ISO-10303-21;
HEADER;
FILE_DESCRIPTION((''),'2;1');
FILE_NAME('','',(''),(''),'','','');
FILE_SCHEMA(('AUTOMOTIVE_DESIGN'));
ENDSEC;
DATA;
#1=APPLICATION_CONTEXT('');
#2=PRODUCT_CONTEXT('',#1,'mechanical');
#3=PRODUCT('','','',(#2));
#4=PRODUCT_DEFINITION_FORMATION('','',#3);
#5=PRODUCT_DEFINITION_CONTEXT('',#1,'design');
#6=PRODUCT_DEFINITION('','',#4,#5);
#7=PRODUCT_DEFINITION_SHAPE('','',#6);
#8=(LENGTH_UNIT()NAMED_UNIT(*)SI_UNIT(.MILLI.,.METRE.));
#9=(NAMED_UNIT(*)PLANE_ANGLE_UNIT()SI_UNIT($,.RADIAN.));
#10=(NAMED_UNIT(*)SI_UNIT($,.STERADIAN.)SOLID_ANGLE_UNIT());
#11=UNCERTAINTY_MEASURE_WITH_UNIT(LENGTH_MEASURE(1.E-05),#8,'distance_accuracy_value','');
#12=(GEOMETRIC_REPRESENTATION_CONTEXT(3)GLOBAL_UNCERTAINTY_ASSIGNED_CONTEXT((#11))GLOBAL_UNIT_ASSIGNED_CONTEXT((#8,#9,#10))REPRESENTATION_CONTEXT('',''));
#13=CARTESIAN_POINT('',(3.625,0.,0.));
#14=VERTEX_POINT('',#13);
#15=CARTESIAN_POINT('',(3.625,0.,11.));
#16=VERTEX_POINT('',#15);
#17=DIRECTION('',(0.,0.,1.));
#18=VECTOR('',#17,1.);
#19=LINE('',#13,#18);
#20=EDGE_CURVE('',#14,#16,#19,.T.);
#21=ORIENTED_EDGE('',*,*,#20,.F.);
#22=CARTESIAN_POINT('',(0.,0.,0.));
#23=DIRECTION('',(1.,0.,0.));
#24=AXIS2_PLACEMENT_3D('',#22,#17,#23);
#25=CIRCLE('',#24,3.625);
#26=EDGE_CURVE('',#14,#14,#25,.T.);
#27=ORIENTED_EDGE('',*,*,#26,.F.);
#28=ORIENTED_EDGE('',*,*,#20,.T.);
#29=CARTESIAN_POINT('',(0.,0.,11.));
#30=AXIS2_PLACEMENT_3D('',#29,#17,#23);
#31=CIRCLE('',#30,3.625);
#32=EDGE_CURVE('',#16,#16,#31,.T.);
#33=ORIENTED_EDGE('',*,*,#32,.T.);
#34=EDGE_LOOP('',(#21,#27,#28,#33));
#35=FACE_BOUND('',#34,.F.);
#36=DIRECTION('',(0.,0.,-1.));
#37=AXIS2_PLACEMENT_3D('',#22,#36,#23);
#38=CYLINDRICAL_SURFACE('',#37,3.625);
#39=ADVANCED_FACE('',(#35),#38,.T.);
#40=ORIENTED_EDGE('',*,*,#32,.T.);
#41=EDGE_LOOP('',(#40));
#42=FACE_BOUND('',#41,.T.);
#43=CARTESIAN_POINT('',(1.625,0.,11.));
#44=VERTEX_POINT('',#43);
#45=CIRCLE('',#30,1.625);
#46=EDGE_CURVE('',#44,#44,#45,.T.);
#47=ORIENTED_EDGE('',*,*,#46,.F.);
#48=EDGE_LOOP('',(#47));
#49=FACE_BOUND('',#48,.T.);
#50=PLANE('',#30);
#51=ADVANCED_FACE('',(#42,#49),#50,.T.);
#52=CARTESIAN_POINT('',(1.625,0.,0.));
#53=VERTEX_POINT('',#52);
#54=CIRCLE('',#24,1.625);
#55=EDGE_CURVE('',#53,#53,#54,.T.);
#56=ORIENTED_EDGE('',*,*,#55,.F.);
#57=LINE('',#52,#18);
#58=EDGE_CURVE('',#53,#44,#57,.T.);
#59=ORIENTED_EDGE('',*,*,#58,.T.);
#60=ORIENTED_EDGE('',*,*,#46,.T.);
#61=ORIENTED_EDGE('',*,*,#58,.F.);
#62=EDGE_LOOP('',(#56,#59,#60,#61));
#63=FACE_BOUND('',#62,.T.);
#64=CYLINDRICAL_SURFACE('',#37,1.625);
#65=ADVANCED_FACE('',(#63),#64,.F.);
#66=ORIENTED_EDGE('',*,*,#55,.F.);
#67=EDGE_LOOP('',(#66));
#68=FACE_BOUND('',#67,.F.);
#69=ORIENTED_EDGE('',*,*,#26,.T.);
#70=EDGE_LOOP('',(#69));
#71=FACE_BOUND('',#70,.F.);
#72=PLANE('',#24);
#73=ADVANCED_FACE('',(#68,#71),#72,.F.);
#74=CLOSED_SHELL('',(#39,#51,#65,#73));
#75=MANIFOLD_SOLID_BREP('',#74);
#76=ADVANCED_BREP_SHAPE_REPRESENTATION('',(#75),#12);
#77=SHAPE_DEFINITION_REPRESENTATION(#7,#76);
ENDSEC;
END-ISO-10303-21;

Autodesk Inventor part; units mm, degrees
ref_plane "YZ Plane" through (0, 0, 0) normal (1, 0, 0) x (0, 1, 0)
ref_plane "XZ Plane" through (0, 0, 0) normal (0, 1, 0) x (-1, 0, 0)
ref_plane "XY Plane" through (0, 0, 0) normal (0, 0, 1) x (1, 0, 0)
sketch "Sketch1" plane through (0, 0, 0) normal (0, 0, 1) x (1, 0, 0)
  circle A0 centre (0, 0) radius 1.625
  circle A1 centre (0, 0) radius 3.625
  dimension "d0" = 3.25
  dimension "d1" = 2
  dimension "d2" = 7.25
extrude "Extrusion1" add sketch "Sketch1" along normal blind 11
properties part number "3DP_PLA_11mm_M3_Standoff"
